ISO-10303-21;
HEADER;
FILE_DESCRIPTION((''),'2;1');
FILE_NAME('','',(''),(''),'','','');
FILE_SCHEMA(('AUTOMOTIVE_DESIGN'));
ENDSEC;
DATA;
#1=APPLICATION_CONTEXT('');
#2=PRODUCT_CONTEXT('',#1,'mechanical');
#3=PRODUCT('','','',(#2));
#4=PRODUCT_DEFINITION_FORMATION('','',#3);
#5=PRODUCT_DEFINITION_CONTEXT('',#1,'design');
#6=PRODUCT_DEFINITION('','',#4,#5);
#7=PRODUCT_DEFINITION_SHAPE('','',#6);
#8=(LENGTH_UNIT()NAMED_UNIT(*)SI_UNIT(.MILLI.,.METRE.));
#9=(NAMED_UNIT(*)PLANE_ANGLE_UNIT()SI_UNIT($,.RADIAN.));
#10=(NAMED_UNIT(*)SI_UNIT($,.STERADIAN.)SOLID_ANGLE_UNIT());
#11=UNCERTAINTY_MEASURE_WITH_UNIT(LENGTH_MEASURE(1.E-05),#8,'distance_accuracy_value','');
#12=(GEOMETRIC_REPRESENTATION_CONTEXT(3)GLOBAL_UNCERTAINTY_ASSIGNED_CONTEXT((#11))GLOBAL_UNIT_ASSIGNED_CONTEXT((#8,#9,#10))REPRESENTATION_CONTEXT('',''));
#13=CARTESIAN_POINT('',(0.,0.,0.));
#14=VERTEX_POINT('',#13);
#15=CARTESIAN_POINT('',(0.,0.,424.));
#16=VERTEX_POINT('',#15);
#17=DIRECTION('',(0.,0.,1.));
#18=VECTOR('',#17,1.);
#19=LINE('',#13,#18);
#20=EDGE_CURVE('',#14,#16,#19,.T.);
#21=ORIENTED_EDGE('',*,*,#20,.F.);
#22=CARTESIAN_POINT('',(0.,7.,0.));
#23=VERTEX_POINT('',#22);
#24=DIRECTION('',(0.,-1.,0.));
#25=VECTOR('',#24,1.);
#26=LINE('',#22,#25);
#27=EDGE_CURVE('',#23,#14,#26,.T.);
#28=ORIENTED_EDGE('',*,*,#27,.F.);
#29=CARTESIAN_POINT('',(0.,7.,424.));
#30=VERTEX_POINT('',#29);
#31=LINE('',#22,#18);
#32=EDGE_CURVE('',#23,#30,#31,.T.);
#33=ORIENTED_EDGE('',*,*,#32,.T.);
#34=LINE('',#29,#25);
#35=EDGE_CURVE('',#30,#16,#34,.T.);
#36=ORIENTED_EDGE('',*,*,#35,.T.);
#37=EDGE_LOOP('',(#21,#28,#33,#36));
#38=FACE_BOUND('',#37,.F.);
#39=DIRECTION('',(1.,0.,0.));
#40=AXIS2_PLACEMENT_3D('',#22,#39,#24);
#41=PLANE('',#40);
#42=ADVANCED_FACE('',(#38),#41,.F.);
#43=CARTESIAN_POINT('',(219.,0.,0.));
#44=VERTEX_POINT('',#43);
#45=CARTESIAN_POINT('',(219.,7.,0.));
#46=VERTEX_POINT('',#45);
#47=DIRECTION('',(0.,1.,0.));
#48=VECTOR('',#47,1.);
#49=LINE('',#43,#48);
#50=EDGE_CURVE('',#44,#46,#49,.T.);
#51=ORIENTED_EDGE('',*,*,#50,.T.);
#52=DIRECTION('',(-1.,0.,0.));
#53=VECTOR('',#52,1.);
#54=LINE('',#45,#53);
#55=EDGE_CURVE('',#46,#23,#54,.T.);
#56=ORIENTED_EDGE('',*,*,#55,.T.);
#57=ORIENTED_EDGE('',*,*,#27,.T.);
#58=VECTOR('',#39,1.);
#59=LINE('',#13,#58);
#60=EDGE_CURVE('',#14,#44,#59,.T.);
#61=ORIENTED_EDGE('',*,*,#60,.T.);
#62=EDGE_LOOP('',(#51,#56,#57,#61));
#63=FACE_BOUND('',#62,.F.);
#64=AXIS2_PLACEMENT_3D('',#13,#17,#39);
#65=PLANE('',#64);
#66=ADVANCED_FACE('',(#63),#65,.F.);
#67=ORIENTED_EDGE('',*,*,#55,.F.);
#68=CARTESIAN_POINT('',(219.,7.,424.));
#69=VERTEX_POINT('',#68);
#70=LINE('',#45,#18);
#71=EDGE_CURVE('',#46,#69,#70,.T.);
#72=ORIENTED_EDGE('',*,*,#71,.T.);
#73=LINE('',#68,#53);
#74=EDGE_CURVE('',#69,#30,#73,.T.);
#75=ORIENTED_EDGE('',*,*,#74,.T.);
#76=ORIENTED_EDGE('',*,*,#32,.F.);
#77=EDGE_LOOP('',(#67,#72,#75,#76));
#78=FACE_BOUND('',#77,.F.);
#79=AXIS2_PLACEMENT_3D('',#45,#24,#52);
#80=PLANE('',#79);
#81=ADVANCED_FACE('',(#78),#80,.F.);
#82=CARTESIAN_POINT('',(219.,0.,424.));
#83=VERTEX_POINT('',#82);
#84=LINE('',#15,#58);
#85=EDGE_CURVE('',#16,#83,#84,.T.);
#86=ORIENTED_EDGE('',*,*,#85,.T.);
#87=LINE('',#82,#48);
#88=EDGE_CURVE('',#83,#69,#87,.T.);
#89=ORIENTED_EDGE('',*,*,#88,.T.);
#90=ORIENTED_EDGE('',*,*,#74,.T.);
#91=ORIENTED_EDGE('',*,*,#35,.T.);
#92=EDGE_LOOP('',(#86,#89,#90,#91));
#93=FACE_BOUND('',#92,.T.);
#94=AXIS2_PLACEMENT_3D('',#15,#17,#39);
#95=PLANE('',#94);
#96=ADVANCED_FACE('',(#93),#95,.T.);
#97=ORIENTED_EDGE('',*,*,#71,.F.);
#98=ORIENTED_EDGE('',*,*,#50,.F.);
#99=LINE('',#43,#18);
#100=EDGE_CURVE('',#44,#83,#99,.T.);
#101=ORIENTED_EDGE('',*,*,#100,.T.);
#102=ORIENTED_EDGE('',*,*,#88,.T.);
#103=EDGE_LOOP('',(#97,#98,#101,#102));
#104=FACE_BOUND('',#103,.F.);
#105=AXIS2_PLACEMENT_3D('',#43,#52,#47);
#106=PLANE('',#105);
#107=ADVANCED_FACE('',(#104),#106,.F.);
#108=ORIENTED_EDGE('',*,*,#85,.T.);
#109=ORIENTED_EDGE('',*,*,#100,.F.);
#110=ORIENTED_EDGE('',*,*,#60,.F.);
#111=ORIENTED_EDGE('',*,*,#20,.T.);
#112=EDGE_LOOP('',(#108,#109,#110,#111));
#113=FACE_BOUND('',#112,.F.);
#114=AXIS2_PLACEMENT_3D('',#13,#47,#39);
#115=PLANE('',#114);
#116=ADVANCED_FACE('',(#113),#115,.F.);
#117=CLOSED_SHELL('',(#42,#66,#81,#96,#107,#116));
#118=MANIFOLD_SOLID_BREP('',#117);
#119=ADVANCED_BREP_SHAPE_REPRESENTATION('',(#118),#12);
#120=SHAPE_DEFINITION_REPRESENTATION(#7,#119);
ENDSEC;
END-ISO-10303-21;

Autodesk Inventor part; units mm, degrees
ref_plane "YZ Plane" through (0, 0, 0) normal (1, 0, 0) x (0, 1, 0)
ref_plane "XZ Plane" through (0, 0, 0) normal (0, 1, 0) x (-1, 0, 0)
ref_plane "XY Plane" through (0, 0, 0) normal (0, 0, 1) x (1, 0, 0)
sketch "Sketch1" plane through (0, 0, 0) normal (0, 0, 1) x (1, 0, 0)
  point P0 (0, 0)
sketch "Sketch2" plane through (0, 0, 0) normal (0, 0, 1) x (1, 0, 0)
  line L0 (0, 0) -> (219, 0)
  line L1 (219, 0) -> (219, 7)
  line L2 (219, 7) -> (0, 7)
  line L3 (0, 7) -> (0, 0)
  dimension "d0" = 219
  dimension "d1" = 7
extrude "Extrusion1" add sketch "Sketch2" along normal blind 424
properties part number "teto01" material "Polycarbonate, Clear"
